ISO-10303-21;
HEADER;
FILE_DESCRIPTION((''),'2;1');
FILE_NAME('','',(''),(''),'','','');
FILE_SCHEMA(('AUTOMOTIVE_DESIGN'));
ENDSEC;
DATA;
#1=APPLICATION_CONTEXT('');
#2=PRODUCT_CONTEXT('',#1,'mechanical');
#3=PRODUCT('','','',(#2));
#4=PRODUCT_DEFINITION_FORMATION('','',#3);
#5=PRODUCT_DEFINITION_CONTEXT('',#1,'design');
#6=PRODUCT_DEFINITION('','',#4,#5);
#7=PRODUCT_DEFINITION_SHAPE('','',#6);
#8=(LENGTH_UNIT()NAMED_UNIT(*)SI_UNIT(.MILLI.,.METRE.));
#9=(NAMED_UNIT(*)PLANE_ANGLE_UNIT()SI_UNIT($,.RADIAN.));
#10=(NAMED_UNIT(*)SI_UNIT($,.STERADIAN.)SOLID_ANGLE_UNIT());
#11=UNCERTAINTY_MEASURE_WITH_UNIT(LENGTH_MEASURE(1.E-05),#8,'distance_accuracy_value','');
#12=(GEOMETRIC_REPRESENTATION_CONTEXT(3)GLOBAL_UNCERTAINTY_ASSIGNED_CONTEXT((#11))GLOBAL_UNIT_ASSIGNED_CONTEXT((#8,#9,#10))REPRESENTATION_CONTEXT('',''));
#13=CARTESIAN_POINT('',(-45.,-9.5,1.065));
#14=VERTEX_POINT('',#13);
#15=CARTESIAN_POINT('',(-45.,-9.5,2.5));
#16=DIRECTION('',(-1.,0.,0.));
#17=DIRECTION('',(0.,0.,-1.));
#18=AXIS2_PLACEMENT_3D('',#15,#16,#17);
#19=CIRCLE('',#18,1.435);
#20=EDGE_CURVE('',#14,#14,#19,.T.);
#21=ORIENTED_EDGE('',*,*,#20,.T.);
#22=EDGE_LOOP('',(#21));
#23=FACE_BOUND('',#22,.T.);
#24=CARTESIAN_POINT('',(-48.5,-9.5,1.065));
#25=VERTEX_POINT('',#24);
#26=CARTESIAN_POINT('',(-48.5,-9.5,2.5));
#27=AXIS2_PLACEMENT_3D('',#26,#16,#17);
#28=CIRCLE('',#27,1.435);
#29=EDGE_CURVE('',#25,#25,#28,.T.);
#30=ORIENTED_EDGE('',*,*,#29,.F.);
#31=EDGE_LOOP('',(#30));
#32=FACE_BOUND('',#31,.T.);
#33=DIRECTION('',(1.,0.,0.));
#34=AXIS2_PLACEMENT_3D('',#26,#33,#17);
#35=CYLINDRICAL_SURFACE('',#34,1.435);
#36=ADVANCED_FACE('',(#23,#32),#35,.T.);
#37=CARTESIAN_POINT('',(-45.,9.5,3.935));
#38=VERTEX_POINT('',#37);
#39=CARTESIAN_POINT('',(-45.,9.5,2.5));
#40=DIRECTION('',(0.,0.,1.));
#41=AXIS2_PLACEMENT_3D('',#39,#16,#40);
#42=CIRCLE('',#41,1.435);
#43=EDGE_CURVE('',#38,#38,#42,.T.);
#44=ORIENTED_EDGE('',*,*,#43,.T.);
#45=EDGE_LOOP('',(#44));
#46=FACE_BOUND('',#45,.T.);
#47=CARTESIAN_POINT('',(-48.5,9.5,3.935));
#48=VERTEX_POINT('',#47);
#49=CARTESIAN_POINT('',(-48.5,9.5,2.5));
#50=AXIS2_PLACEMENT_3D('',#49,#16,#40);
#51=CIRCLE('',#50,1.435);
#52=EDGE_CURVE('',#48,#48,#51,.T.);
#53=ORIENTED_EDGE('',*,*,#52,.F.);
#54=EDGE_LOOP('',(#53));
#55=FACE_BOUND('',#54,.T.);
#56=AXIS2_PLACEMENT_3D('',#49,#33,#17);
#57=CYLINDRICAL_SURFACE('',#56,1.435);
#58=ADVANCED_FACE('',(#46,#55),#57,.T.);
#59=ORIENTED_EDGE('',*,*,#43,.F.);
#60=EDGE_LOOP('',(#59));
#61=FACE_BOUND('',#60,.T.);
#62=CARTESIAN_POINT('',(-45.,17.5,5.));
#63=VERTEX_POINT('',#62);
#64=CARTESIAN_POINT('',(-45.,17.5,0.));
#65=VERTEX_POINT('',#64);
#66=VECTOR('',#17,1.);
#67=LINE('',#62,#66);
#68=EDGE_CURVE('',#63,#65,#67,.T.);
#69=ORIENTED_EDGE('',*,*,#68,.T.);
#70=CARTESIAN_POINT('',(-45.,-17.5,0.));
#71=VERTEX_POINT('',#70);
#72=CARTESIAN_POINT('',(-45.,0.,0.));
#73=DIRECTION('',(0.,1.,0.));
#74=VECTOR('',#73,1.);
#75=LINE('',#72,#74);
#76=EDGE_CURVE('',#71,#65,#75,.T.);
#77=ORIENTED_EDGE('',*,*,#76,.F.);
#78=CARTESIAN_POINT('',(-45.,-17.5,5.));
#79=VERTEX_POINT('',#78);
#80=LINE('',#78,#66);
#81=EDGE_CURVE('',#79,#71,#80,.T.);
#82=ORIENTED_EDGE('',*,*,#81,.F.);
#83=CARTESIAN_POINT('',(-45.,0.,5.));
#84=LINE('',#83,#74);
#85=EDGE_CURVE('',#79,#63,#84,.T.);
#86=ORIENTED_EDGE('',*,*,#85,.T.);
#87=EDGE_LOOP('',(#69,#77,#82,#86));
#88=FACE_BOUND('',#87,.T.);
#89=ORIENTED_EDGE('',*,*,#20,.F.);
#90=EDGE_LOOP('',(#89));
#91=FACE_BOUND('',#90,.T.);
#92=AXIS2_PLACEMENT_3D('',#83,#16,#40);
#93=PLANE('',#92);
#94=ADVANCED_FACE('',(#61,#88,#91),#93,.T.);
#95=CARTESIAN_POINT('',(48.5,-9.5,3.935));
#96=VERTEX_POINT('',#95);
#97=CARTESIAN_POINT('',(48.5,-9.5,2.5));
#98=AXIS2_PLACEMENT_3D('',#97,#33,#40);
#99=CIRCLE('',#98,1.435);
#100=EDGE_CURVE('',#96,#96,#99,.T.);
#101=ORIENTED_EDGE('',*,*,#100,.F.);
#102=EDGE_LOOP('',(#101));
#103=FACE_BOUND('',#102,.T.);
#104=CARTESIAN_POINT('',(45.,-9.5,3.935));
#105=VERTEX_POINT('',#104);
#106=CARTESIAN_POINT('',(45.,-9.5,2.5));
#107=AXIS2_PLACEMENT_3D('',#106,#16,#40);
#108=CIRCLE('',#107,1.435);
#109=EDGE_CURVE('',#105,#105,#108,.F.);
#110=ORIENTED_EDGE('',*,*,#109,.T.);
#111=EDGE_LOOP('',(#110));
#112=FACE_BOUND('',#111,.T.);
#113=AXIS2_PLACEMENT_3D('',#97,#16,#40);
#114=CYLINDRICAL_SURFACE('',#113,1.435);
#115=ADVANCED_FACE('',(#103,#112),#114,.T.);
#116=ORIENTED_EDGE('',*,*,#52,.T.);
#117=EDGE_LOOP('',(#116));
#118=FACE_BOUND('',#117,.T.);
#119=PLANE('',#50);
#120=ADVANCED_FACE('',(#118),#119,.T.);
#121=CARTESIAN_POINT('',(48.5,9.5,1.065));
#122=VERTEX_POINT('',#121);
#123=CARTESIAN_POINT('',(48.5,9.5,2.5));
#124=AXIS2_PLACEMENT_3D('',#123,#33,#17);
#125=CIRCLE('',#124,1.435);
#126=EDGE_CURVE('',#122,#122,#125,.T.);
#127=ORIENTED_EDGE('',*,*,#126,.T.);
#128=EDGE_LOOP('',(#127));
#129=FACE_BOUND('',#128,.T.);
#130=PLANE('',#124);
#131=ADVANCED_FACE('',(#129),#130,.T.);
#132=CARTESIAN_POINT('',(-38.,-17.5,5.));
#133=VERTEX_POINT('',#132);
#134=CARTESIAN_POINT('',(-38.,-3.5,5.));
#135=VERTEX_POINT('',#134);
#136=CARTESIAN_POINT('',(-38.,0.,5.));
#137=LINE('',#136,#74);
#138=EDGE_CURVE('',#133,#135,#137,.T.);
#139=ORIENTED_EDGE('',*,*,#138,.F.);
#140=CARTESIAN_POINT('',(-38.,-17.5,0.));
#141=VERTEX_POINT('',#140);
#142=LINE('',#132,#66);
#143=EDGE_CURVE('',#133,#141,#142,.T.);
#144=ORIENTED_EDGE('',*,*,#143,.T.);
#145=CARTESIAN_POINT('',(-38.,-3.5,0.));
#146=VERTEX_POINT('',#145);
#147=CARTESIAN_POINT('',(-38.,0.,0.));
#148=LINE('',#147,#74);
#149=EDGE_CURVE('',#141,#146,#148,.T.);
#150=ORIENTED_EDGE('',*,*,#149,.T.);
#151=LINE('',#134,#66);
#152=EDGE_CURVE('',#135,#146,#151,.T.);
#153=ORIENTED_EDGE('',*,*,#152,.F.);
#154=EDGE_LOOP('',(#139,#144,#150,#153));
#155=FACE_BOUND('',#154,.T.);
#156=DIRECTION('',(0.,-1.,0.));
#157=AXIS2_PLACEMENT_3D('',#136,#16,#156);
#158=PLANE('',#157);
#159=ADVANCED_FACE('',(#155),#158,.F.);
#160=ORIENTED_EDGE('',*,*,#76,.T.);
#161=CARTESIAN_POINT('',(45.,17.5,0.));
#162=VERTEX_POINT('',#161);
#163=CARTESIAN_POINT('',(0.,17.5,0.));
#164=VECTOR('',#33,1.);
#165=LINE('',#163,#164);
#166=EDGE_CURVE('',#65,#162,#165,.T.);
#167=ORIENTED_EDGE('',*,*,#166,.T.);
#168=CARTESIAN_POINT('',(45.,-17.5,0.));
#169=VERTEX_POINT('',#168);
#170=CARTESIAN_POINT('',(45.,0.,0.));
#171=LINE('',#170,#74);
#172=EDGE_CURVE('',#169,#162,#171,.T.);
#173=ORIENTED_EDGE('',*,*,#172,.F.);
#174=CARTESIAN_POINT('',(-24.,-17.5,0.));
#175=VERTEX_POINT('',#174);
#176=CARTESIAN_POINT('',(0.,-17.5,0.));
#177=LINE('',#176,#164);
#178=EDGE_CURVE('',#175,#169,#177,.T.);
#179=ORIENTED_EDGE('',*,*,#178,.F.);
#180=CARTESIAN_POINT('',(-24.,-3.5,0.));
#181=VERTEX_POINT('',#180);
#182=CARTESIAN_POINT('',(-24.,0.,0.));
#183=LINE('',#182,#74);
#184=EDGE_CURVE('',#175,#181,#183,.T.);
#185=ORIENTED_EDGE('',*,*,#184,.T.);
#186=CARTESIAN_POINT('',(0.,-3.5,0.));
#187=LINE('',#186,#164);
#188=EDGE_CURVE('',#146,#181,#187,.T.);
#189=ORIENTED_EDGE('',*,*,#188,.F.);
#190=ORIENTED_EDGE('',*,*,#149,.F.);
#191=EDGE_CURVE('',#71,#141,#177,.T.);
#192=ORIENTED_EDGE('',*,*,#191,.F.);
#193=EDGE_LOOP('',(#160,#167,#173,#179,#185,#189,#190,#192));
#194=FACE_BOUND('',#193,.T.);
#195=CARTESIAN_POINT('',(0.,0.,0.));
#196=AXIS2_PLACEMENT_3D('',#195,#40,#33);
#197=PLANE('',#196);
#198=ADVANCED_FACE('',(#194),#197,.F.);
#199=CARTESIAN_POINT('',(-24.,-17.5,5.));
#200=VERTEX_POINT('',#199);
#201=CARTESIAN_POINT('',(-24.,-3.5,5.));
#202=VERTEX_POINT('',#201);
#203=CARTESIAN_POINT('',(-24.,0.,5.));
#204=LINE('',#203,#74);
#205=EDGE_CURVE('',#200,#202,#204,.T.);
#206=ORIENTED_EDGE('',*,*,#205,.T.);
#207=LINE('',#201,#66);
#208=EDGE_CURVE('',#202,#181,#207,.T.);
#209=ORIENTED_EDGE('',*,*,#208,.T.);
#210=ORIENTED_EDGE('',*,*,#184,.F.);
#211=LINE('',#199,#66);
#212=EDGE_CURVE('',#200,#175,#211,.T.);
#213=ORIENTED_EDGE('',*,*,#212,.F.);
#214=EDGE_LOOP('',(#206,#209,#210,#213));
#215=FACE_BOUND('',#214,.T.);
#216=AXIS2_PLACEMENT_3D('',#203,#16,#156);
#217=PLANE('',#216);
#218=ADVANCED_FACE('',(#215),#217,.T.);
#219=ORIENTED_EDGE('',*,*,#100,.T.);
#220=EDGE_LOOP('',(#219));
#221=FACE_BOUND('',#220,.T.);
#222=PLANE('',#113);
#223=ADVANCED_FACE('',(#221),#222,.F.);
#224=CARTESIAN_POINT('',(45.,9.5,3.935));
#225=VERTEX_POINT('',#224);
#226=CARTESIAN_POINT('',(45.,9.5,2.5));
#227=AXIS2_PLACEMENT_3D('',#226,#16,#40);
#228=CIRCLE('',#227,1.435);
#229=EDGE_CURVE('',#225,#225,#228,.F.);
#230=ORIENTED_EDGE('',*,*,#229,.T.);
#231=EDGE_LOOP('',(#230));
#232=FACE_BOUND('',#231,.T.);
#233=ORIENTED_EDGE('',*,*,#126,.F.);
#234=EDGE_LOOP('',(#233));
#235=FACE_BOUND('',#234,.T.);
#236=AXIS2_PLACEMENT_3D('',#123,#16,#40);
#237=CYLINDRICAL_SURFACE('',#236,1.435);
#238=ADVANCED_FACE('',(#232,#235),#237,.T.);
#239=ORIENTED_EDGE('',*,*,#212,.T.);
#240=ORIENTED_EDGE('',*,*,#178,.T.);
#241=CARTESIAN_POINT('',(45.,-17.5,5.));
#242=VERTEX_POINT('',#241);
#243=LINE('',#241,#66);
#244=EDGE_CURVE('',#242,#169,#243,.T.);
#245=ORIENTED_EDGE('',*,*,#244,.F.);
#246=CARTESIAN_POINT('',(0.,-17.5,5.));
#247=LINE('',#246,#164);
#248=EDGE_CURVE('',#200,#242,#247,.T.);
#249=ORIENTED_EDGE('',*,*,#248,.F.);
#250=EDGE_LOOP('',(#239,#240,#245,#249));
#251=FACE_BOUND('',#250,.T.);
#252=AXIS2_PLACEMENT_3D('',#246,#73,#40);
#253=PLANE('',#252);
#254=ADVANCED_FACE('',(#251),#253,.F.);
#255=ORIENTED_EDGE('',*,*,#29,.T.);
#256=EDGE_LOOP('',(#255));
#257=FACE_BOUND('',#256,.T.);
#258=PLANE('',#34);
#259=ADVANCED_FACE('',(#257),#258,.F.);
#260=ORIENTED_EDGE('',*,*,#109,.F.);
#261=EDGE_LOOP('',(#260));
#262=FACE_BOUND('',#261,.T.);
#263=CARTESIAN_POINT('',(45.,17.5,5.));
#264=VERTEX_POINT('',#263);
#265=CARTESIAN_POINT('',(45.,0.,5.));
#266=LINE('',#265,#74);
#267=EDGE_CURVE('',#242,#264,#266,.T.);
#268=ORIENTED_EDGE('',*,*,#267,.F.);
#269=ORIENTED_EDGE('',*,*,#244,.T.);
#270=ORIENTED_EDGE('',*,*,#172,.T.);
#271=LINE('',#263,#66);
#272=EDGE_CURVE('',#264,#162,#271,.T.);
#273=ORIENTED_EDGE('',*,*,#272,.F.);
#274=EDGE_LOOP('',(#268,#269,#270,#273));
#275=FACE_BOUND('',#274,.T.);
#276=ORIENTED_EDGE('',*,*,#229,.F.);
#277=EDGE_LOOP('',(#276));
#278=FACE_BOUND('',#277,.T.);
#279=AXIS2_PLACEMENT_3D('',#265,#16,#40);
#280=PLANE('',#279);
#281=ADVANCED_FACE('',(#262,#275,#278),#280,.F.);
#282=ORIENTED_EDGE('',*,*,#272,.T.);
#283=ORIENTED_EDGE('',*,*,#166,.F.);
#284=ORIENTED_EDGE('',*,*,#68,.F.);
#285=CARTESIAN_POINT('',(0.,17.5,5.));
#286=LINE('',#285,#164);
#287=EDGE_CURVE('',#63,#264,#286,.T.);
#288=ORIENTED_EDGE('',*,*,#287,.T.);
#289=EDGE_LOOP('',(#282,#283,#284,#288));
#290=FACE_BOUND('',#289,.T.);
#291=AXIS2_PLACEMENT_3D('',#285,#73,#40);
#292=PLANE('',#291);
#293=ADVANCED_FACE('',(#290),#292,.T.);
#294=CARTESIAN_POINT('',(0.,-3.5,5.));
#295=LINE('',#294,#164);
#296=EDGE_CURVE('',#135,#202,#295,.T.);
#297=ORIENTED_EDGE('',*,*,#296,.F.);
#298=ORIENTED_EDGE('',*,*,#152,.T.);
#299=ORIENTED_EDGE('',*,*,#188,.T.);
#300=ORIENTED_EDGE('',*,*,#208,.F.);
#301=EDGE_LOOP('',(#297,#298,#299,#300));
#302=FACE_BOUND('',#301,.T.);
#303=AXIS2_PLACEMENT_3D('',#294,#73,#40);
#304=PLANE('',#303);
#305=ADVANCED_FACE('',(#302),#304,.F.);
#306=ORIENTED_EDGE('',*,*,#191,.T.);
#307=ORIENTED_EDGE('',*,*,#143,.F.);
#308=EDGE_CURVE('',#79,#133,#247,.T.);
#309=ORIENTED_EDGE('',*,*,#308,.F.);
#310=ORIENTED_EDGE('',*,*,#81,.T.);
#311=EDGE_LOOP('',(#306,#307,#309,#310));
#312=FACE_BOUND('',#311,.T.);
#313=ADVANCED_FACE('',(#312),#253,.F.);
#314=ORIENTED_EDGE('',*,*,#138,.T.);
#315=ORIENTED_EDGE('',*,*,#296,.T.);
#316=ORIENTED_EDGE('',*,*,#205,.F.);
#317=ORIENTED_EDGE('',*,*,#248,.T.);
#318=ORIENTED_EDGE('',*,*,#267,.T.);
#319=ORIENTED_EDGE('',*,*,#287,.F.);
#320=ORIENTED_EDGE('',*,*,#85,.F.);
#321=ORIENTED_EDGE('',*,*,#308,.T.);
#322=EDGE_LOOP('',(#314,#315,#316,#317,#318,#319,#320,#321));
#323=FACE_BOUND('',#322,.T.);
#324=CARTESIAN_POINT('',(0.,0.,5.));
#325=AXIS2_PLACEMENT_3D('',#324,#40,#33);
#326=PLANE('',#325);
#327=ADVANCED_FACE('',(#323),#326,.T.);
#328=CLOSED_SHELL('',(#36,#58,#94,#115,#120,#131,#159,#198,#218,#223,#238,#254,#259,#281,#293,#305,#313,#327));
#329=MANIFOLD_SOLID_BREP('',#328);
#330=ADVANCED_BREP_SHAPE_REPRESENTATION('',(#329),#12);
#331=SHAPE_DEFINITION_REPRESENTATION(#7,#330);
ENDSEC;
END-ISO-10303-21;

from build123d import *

# Parameters (mm, degrees)
BOSS_EXTRUDE1_DEPTH = 5
SKETCH2_R           = 1.435
BOSS_EXTRUDE2_DEPTH = 3.5
BOSS_EXTRUDE3_START = 3.5
SKETCH3_R           = 1.435
BOSS_EXTRUDE3_DEPTH = 3.5


with BuildPart() as part:
    # Sketch1 → Boss-Extrude1 (new body)
    with BuildSketch(Plane.XY):
        Polygon((-45, 17.5), (-45, -17.5), (-38, -17.5), (-38, -3.5), (-24, -3.5), (-24, -17.5), (-5, -17.5), (5, -17.5), (45, -17.5), (45, 17.5), align=None)
    extrude(amount=BOSS_EXTRUDE1_DEPTH)

    # Sketch2 → Boss-Extrude2 (add)
    with BuildSketch(Plane(origin=(45, 0, 0), x_dir=(0, 0, -1), z_dir=(1, 0, 0))):
        with Locations(Location((-2.5, 9.5, 0), (0, 0, 180))):
            Circle(SKETCH2_R)
        with Locations(Location((-2.5, -9.5, 0), (0, 0, 180))):
            Circle(SKETCH2_R)
    extrude(amount=BOSS_EXTRUDE2_DEPTH)

    # Sketch3 → Boss-Extrude3 (add)
    with BuildSketch(Plane.ZY.offset(45).offset(BOSS_EXTRUDE3_START)):
        with Locations((2.5, 9.5)):
            Circle(SKETCH3_R)
        with Locations((2.5, -9.5)):
            Circle(SKETCH3_R)
    extrude(amount=-BOSS_EXTRUDE3_DEPTH)


solid = part.part
